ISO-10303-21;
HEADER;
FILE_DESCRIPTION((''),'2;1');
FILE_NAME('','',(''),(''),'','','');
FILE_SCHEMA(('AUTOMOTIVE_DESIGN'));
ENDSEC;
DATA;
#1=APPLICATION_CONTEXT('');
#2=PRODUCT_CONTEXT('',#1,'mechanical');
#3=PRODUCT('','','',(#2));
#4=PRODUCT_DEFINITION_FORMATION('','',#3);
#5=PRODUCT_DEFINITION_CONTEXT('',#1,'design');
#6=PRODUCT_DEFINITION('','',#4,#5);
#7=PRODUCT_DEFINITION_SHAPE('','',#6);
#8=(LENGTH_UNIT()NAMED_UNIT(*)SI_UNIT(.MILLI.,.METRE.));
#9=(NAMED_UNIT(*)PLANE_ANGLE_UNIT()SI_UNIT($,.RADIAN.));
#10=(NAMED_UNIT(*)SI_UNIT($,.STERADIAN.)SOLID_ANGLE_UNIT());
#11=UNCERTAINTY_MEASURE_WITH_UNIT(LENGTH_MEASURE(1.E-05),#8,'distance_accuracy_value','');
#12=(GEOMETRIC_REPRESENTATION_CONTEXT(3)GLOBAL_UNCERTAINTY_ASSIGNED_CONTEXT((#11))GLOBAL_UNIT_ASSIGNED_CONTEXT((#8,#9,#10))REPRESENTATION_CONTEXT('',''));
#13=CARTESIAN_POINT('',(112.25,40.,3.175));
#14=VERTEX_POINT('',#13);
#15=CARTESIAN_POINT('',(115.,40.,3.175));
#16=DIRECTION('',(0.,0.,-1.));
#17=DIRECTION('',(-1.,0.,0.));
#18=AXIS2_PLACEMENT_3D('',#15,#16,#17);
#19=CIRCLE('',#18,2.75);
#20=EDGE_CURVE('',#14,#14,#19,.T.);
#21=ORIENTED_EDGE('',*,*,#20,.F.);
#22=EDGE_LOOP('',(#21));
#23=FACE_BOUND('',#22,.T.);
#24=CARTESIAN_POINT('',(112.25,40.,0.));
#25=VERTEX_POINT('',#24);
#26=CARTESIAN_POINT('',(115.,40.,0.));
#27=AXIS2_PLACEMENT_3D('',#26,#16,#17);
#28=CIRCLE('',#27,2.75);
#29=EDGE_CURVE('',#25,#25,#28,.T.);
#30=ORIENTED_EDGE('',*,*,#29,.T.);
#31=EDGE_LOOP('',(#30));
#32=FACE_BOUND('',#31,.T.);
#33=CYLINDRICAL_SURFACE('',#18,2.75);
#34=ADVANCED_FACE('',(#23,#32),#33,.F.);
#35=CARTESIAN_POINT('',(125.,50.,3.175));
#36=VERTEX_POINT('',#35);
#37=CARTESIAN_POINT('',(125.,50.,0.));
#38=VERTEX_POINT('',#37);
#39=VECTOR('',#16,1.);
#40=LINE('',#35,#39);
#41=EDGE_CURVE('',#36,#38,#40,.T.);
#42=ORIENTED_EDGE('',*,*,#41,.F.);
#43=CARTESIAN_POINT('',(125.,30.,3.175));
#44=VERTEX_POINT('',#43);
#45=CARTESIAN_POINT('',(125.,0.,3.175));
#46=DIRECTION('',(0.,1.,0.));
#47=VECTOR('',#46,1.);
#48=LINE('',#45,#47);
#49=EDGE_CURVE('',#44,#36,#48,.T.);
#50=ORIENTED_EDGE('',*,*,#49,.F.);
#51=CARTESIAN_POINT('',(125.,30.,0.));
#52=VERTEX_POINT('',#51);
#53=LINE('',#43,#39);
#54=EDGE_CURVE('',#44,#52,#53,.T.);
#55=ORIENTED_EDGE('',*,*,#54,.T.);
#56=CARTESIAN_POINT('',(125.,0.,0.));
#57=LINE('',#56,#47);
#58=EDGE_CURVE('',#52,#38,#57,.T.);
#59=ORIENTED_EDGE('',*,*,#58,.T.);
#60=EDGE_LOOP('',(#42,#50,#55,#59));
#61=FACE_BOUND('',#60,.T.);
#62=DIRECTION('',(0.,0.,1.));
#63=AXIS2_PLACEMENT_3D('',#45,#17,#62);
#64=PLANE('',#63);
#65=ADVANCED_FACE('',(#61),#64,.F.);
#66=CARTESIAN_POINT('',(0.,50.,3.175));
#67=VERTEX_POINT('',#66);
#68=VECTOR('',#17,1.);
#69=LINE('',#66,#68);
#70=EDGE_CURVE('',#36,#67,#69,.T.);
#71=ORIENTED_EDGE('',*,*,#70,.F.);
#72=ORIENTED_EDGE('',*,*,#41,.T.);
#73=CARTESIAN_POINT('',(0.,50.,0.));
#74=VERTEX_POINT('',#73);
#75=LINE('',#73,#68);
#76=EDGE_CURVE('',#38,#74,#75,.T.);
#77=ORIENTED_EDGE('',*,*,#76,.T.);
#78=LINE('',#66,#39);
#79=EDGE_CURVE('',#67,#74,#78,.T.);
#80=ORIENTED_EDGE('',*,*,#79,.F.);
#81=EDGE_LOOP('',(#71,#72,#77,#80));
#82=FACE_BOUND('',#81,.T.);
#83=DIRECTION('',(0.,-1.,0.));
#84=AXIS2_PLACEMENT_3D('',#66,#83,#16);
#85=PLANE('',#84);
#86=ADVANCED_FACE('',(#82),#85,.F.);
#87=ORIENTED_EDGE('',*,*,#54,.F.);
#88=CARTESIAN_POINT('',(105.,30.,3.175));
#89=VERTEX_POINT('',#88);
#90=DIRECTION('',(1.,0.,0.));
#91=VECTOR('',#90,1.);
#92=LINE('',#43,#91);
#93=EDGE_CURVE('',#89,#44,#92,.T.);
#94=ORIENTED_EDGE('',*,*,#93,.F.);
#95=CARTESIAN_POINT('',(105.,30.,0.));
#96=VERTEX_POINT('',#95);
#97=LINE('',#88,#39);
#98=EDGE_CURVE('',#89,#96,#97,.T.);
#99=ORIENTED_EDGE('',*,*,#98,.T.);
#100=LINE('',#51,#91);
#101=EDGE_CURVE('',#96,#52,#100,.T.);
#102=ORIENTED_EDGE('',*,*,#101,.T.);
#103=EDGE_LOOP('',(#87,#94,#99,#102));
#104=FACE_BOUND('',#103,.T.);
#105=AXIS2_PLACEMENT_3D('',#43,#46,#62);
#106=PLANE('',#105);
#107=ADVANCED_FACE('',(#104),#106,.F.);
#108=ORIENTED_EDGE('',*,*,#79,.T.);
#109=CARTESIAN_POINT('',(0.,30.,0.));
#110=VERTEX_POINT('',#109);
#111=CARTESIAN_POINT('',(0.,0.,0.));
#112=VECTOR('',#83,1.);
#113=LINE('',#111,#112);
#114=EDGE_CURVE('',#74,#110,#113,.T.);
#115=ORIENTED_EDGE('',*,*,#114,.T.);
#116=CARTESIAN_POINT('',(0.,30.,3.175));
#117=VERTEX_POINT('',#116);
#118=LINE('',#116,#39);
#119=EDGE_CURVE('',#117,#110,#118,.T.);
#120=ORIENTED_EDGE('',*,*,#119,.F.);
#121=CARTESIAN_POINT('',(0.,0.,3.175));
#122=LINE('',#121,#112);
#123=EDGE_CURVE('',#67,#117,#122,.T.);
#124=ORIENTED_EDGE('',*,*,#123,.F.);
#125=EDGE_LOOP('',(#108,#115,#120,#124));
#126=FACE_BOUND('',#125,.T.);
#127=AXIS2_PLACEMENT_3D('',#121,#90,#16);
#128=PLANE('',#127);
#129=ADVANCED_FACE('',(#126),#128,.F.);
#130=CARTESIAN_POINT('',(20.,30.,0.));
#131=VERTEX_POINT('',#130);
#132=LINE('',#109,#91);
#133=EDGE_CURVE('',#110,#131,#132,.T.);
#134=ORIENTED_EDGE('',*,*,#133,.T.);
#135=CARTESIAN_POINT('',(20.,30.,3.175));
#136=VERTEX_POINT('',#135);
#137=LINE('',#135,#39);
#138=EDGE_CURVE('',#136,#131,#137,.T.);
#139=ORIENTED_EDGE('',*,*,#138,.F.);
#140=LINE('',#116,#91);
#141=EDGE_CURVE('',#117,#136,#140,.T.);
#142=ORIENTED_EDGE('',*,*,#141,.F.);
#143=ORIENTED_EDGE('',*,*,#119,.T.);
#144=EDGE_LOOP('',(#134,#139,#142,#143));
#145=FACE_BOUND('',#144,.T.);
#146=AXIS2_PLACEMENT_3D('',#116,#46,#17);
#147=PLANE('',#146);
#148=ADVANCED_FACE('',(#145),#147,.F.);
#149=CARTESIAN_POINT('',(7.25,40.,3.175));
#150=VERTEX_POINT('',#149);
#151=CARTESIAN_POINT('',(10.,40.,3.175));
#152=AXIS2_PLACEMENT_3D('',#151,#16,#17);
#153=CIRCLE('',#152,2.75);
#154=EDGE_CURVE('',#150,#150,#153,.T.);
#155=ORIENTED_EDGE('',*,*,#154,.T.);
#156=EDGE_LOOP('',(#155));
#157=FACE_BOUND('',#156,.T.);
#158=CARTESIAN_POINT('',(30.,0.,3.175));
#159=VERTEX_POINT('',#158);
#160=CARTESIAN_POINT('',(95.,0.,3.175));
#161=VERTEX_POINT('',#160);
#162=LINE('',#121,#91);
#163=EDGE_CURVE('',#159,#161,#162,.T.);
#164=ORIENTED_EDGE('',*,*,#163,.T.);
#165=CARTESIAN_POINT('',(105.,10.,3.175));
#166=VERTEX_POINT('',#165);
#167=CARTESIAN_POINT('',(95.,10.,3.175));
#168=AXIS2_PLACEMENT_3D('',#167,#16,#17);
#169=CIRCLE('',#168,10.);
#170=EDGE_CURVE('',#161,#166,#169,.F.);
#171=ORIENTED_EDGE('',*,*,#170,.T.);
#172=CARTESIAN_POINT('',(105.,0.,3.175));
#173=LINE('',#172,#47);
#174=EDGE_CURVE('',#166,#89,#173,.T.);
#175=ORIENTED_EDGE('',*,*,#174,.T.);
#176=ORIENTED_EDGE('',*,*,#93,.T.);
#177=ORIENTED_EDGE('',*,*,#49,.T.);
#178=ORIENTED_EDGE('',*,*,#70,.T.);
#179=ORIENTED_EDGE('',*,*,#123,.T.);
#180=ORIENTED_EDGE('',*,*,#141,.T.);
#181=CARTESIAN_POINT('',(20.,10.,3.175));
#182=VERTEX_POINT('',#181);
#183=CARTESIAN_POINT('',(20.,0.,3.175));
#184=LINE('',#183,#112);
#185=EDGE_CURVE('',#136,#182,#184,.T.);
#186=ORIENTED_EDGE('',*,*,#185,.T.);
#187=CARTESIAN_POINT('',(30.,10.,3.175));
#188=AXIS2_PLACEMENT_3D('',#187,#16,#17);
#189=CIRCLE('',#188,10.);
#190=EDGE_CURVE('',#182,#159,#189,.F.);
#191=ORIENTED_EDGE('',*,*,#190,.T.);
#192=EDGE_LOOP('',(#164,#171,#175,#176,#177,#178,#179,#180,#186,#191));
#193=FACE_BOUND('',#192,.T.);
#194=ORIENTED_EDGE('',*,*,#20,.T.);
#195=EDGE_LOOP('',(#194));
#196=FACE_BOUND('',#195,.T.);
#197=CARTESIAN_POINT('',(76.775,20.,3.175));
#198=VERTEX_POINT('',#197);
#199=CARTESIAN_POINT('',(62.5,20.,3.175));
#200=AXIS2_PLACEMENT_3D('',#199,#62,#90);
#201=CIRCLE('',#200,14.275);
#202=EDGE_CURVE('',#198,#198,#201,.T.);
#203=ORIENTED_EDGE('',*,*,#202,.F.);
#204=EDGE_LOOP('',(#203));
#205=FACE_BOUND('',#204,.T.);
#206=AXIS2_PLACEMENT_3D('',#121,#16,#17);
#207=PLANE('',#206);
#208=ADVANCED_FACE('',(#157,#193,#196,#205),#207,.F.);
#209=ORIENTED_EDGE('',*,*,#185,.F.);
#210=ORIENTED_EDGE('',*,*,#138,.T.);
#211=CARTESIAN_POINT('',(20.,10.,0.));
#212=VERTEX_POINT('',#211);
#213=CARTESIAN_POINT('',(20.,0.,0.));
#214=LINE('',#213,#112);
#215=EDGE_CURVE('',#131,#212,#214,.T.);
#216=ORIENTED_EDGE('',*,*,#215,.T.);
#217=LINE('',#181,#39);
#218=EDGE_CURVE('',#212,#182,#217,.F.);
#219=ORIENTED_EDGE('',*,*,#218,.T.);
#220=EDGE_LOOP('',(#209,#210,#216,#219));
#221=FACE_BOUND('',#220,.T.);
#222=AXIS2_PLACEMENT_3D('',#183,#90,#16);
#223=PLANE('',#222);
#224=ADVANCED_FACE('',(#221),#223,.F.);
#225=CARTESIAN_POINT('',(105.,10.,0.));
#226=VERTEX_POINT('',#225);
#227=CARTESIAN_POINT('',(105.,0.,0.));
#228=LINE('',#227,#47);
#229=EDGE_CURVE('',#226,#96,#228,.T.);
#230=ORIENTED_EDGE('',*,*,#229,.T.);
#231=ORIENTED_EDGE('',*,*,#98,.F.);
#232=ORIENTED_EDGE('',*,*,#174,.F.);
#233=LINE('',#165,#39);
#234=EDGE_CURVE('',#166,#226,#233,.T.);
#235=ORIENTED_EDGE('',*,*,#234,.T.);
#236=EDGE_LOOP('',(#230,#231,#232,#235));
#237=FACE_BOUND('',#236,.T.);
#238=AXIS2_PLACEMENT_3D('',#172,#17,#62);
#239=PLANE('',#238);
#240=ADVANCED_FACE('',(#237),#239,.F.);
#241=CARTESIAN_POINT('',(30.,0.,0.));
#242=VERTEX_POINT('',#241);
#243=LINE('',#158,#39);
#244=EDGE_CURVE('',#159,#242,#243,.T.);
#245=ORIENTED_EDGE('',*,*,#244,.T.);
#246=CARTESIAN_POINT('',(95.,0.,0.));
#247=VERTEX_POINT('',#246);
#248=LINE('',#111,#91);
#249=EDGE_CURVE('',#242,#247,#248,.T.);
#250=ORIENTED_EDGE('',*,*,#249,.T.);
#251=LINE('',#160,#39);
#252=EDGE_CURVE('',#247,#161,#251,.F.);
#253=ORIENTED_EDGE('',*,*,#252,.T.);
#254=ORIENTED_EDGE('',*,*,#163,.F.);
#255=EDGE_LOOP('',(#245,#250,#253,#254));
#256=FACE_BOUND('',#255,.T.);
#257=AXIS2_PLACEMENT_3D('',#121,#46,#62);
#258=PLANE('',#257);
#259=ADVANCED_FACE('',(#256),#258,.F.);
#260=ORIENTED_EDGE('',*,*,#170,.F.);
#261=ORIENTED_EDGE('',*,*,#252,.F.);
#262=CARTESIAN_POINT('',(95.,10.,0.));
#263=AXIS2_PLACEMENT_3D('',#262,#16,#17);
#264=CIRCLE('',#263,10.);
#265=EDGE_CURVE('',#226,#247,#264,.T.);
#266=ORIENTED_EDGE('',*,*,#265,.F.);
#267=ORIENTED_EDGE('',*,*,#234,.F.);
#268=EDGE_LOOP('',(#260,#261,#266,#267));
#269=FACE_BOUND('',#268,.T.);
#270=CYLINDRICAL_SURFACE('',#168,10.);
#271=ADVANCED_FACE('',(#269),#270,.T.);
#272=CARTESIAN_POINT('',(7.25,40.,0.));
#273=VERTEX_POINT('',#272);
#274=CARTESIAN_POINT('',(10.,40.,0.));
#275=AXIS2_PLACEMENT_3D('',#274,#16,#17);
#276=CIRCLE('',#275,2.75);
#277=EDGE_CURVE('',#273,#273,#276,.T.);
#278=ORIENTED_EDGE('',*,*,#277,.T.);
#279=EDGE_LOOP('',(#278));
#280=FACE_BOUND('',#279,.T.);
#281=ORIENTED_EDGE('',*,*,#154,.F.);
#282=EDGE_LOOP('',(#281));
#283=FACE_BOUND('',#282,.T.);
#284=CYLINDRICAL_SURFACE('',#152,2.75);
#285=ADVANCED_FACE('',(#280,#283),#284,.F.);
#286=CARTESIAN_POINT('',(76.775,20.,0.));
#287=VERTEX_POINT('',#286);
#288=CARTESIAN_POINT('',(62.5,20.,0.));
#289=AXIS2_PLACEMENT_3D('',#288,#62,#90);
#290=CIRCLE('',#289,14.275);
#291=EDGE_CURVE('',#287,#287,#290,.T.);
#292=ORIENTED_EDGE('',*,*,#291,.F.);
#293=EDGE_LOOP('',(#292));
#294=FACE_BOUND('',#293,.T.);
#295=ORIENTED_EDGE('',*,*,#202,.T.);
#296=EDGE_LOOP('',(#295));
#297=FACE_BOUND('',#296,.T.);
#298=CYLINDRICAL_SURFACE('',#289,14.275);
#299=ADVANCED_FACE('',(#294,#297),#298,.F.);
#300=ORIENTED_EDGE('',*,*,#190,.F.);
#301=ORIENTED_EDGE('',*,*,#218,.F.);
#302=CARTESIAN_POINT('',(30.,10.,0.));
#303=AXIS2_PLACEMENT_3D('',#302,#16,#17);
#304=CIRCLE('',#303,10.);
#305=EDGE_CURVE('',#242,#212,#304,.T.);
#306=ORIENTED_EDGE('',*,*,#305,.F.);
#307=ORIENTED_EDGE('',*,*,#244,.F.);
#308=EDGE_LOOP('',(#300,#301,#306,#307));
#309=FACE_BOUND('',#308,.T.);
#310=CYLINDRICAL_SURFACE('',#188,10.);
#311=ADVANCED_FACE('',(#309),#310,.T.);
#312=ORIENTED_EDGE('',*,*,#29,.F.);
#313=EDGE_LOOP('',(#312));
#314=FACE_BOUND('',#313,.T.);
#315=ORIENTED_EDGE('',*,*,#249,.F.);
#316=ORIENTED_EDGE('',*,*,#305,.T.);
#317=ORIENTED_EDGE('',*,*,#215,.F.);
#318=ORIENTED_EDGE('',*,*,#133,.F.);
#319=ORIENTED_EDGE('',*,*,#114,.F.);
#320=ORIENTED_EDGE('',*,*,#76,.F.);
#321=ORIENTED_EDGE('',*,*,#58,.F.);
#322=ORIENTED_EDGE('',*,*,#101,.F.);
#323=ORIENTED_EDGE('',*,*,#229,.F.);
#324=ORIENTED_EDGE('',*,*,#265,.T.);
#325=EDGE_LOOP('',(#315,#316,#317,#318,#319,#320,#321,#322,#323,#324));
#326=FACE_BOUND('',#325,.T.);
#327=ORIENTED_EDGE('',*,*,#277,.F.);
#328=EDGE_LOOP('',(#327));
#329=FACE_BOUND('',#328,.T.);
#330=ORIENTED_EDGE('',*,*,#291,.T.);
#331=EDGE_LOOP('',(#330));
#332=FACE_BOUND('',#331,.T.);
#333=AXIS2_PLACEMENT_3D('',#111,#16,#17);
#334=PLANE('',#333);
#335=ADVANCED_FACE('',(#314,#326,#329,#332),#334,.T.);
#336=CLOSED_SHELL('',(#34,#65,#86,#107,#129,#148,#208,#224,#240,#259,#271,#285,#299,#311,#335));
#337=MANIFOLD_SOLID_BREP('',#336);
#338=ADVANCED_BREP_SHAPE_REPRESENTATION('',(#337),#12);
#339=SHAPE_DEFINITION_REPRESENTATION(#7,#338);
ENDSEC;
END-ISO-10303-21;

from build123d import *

# Parameters (mm, degrees)
SKETCH1_W           = 125
SKETCH1_H           = 50
BOSS_EXTRUDE1_DEPTH = 3.175
SKETCH2_R           = 14.275
CUT_EXTRUDE1_DEPTH  = 4.175
SKETCH6_R           = 2.75
SKETCH6_W           = 20
SKETCH6_H           = 30
CUT_EXTRUDE6_DEPTH  = 4.175
FILLET1_R           = 10


with BuildPart() as part:
    # Sketch1 → Boss-Extrude1 (new body)
    with BuildSketch(Plane.XY):
        with Locations((62.5, 25)):
            Rectangle(SKETCH1_W, SKETCH1_H)
    extrude(amount=BOSS_EXTRUDE1_DEPTH)

    # Sketch2 → Cut-Extrude1 (cut, through all)
    with BuildSketch(Plane.XY.offset(3.175)):
        with Locations((62.5, 20)):
            Circle(SKETCH2_R)
    extrude(amount=-CUT_EXTRUDE1_DEPTH, mode=Mode.SUBTRACT)

    # Sketch6 → Cut-Extrude6 (cut, through all)
    with BuildSketch(Plane(origin=(0, 0, 0), x_dir=(-1, 0, 0), z_dir=(0, 0, -1))):
        with Locations((-115, 40)):
            Circle(SKETCH6_R)
        with Locations((-10, 40)):
            Circle(SKETCH6_R)
        with Locations((-115, 15)):
            Rectangle(SKETCH6_W, SKETCH6_H)
        with Locations((-10, 15)):
            Rectangle(SKETCH6_W, SKETCH6_H)
    extrude(amount=-CUT_EXTRUDE6_DEPTH, mode=Mode.SUBTRACT)

    # Fillet1
    fillet1_edges = [part.edges().sort_by_distance(p)[0] for p in [
        (105, 0, 1.5875),
        (20, 0, 1.5875),
    ]]
    fillet(fillet1_edges, radius=FILLET1_R)


solid = part.part
